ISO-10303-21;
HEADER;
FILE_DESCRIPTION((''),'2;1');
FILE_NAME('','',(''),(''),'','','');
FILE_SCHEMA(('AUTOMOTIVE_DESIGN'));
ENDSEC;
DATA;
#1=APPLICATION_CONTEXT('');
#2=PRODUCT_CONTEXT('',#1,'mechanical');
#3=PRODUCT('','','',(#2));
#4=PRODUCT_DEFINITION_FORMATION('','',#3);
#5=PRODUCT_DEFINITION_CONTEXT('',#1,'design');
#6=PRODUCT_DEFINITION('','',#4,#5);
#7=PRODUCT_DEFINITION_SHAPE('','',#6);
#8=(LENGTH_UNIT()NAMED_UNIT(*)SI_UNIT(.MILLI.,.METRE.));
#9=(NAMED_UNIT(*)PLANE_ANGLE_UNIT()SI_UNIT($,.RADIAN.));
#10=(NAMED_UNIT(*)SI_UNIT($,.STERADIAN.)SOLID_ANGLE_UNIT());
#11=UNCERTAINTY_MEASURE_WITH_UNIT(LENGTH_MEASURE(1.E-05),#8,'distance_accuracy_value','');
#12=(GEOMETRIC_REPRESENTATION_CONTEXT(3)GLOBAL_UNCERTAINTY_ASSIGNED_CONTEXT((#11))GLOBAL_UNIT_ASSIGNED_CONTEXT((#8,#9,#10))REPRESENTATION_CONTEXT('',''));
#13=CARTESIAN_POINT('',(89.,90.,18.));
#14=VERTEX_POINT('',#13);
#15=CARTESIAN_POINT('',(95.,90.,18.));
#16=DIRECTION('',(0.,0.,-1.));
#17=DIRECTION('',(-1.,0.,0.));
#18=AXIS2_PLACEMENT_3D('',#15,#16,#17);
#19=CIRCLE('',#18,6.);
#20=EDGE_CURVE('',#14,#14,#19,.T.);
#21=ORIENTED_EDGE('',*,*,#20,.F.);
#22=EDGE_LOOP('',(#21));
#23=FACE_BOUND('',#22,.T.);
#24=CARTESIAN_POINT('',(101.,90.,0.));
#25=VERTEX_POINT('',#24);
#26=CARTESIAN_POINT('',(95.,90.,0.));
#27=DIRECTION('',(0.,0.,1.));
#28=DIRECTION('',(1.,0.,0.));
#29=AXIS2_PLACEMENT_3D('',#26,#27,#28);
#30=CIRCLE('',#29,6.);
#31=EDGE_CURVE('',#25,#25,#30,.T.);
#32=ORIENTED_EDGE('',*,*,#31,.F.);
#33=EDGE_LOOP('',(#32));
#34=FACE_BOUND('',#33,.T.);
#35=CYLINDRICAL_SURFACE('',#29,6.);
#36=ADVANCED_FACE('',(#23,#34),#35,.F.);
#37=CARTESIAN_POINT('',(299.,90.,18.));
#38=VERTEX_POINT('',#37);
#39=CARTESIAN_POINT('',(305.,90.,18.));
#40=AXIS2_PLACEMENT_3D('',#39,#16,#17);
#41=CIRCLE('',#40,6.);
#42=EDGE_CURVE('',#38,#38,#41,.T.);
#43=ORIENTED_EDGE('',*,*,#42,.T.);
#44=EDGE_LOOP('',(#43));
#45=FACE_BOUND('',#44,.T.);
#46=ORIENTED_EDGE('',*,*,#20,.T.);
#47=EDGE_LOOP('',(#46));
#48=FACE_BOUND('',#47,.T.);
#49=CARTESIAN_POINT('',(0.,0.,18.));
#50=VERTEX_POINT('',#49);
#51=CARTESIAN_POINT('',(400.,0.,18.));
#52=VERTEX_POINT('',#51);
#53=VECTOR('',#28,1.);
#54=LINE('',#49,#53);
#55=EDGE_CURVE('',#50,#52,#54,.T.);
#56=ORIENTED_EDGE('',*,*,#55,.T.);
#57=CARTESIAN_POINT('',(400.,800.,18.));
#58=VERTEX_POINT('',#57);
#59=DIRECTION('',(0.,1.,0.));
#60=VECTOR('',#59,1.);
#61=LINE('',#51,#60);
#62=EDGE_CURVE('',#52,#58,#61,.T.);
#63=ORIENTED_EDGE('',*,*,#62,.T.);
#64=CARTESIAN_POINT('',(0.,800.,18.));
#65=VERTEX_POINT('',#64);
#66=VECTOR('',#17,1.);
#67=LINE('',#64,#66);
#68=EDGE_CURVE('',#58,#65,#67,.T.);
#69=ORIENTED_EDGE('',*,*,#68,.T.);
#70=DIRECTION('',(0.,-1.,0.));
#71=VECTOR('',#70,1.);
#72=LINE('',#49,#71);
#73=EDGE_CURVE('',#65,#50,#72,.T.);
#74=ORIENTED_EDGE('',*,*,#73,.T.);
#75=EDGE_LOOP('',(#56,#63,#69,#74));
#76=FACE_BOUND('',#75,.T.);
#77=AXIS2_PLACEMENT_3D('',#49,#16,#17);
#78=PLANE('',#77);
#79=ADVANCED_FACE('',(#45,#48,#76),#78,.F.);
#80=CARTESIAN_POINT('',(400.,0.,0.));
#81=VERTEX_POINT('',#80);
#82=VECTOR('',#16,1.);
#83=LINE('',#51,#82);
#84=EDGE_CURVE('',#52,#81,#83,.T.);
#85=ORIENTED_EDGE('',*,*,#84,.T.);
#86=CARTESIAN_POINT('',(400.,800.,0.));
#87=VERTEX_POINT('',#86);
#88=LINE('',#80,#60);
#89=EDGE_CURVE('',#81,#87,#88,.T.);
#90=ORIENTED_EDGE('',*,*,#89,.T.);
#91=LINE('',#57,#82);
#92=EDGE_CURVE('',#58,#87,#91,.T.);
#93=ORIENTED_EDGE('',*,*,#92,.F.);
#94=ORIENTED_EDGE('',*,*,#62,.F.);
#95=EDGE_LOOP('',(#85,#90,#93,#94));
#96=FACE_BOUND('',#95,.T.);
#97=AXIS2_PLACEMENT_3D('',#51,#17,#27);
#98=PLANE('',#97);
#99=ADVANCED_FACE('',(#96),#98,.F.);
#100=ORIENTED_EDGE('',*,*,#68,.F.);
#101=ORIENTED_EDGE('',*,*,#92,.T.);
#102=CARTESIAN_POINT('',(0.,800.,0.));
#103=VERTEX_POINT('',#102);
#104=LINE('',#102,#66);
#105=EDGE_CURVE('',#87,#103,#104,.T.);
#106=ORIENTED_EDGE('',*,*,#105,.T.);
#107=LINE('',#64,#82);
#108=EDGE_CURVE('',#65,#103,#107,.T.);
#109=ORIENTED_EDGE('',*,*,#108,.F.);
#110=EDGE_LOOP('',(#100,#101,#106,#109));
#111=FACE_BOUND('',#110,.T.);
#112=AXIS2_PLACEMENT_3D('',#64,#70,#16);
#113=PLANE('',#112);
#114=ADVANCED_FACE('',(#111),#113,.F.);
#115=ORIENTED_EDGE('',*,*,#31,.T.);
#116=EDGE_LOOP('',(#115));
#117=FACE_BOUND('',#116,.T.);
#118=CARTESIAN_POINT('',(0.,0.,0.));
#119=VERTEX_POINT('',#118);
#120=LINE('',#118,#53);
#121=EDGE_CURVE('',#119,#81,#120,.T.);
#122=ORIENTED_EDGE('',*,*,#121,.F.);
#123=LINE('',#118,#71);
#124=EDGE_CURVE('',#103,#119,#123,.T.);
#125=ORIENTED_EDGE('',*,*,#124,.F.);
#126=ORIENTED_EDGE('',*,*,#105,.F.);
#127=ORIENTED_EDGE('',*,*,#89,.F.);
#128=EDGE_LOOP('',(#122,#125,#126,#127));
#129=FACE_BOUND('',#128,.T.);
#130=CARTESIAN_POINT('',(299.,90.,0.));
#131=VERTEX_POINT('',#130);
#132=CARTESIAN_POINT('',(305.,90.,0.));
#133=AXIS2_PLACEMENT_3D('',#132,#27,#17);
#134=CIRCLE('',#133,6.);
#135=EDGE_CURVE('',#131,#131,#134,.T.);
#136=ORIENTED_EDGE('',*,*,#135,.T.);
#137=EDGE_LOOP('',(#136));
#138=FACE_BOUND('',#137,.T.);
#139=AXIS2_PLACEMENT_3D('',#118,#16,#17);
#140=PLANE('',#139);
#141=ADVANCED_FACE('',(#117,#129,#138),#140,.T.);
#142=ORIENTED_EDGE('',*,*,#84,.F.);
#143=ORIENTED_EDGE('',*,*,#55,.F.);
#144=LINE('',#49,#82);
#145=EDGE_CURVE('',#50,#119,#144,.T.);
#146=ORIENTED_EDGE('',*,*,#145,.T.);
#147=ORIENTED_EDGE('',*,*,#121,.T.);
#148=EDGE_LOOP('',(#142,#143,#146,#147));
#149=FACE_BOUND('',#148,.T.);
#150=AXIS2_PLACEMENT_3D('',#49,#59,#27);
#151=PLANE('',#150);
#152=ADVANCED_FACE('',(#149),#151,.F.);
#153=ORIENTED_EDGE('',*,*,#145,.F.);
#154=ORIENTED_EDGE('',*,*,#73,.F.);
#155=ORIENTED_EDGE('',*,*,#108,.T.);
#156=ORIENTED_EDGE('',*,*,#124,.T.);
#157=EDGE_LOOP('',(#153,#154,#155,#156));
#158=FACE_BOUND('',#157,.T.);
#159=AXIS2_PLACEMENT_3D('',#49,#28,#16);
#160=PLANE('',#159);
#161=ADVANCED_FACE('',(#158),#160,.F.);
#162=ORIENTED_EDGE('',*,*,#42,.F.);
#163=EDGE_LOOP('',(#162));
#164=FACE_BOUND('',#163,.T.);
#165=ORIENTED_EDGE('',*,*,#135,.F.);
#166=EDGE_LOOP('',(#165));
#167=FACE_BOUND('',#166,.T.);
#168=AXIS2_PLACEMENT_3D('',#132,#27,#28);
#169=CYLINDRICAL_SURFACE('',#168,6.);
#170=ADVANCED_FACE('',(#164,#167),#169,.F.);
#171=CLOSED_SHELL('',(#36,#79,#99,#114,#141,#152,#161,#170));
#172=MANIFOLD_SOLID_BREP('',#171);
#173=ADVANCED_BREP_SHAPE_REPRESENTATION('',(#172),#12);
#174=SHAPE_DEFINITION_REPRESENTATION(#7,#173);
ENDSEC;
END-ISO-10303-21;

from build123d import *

# Parameters (mm, degrees)
ESQUISSE1_W                  = 400
ESQUISSE1_H                  = 800
BOSS_EXTRU_1_DEPTH           = 18
ENL_V_MAT_EXTRU_1_DEPTH      = 895.608294171
ENL_V_MAT_EXTRU_1_DEPTH_BACK = 895.608294171
ESQUISSE2_R                  = 6


with BuildPart() as part:
    # Esquisse1 → Boss.-Extru.1 (new body)
    with BuildSketch(Plane.XY):
        with Locations((200, 400)):
            Rectangle(ESQUISSE1_W, ESQUISSE1_H)
    extrude(amount=BOSS_EXTRU_1_DEPTH)

    # Esquisse2 → Enlèv. mat.-Extru.1 (cut, two sides: drawn at the far end of the back side and taken through both)
    with BuildSketch(Plane.XY.offset(18).offset(-ENL_V_MAT_EXTRU_1_DEPTH_BACK)):
        with Locations((95, 90)):
            Circle(ESQUISSE2_R)
        with Locations(Location((305, 90, 0), (0, 0, 180))):
            Circle(ESQUISSE2_R)
    extrude(amount=ENL_V_MAT_EXTRU_1_DEPTH + ENL_V_MAT_EXTRU_1_DEPTH_BACK, mode=Mode.SUBTRACT)


solid = part.part
